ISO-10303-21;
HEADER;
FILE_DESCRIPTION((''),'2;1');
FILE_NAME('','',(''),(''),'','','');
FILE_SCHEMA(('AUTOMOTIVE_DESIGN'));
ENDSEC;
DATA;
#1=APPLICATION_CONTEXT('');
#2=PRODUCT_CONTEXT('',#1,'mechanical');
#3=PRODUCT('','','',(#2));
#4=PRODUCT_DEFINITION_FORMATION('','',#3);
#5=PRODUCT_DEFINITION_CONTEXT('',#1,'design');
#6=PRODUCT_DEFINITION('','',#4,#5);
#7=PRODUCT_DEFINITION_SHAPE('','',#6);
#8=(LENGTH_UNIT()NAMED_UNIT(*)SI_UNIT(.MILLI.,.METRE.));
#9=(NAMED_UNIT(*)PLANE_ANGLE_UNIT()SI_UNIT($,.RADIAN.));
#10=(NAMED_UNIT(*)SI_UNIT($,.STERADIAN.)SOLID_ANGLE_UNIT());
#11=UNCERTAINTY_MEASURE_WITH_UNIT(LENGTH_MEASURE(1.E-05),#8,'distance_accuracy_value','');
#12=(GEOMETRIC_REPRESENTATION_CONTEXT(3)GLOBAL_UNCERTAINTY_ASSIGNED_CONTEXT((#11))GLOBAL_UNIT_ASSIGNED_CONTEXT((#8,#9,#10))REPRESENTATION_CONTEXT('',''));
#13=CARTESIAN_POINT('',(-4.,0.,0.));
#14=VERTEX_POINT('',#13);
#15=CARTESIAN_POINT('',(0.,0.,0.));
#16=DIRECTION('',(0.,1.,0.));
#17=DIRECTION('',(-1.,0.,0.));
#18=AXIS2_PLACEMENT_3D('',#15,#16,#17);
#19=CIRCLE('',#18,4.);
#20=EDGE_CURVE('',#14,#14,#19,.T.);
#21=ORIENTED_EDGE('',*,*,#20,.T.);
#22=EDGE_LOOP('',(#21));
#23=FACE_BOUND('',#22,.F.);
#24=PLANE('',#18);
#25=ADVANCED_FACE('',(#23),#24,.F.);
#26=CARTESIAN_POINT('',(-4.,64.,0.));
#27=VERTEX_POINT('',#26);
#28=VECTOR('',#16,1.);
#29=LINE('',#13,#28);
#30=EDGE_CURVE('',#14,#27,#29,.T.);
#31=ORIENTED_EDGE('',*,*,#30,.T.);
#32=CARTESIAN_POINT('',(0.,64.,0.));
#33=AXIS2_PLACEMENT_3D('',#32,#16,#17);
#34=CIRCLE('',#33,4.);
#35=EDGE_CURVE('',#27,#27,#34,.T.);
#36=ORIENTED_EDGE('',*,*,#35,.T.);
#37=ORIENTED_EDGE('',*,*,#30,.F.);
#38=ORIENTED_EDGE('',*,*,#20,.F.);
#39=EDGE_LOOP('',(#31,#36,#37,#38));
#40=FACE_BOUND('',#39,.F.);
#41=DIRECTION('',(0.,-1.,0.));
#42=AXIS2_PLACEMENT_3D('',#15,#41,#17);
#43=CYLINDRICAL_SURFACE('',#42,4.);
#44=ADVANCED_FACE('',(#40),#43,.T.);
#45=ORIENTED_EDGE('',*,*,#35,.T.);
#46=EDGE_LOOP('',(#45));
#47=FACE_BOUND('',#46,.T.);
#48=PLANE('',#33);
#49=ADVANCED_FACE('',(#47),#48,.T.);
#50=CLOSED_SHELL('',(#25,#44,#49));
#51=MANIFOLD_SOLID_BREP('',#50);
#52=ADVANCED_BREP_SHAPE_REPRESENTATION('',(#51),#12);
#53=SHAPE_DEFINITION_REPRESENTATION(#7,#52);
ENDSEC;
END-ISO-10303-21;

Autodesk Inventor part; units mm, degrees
ref_plane "YZ Plane" through (0, 0, 0) normal (1, 0, 0) x (0, 1, 0)
ref_plane "XZ Plane" through (0, 0, 0) normal (0, 1, 0) x (-1, 0, 0)
ref_plane "XY Plane" through (0, 0, 0) normal (0, 0, 1) x (1, 0, 0)
sketch "Sketch1" plane through (0, 0, 0) normal (0, 1, 0) x (-1, 0, 0)
  circle A0 centre (0, 0) radius 4
  dimension "d0" = 8
extrude "Extrusion1" add sketch "Sketch1" along normal blind 64
thread "Thread2" size "M8x1.25" class "6g" standard "ANSI Metric M Profile" full length
properties part number "M3_12mm"
